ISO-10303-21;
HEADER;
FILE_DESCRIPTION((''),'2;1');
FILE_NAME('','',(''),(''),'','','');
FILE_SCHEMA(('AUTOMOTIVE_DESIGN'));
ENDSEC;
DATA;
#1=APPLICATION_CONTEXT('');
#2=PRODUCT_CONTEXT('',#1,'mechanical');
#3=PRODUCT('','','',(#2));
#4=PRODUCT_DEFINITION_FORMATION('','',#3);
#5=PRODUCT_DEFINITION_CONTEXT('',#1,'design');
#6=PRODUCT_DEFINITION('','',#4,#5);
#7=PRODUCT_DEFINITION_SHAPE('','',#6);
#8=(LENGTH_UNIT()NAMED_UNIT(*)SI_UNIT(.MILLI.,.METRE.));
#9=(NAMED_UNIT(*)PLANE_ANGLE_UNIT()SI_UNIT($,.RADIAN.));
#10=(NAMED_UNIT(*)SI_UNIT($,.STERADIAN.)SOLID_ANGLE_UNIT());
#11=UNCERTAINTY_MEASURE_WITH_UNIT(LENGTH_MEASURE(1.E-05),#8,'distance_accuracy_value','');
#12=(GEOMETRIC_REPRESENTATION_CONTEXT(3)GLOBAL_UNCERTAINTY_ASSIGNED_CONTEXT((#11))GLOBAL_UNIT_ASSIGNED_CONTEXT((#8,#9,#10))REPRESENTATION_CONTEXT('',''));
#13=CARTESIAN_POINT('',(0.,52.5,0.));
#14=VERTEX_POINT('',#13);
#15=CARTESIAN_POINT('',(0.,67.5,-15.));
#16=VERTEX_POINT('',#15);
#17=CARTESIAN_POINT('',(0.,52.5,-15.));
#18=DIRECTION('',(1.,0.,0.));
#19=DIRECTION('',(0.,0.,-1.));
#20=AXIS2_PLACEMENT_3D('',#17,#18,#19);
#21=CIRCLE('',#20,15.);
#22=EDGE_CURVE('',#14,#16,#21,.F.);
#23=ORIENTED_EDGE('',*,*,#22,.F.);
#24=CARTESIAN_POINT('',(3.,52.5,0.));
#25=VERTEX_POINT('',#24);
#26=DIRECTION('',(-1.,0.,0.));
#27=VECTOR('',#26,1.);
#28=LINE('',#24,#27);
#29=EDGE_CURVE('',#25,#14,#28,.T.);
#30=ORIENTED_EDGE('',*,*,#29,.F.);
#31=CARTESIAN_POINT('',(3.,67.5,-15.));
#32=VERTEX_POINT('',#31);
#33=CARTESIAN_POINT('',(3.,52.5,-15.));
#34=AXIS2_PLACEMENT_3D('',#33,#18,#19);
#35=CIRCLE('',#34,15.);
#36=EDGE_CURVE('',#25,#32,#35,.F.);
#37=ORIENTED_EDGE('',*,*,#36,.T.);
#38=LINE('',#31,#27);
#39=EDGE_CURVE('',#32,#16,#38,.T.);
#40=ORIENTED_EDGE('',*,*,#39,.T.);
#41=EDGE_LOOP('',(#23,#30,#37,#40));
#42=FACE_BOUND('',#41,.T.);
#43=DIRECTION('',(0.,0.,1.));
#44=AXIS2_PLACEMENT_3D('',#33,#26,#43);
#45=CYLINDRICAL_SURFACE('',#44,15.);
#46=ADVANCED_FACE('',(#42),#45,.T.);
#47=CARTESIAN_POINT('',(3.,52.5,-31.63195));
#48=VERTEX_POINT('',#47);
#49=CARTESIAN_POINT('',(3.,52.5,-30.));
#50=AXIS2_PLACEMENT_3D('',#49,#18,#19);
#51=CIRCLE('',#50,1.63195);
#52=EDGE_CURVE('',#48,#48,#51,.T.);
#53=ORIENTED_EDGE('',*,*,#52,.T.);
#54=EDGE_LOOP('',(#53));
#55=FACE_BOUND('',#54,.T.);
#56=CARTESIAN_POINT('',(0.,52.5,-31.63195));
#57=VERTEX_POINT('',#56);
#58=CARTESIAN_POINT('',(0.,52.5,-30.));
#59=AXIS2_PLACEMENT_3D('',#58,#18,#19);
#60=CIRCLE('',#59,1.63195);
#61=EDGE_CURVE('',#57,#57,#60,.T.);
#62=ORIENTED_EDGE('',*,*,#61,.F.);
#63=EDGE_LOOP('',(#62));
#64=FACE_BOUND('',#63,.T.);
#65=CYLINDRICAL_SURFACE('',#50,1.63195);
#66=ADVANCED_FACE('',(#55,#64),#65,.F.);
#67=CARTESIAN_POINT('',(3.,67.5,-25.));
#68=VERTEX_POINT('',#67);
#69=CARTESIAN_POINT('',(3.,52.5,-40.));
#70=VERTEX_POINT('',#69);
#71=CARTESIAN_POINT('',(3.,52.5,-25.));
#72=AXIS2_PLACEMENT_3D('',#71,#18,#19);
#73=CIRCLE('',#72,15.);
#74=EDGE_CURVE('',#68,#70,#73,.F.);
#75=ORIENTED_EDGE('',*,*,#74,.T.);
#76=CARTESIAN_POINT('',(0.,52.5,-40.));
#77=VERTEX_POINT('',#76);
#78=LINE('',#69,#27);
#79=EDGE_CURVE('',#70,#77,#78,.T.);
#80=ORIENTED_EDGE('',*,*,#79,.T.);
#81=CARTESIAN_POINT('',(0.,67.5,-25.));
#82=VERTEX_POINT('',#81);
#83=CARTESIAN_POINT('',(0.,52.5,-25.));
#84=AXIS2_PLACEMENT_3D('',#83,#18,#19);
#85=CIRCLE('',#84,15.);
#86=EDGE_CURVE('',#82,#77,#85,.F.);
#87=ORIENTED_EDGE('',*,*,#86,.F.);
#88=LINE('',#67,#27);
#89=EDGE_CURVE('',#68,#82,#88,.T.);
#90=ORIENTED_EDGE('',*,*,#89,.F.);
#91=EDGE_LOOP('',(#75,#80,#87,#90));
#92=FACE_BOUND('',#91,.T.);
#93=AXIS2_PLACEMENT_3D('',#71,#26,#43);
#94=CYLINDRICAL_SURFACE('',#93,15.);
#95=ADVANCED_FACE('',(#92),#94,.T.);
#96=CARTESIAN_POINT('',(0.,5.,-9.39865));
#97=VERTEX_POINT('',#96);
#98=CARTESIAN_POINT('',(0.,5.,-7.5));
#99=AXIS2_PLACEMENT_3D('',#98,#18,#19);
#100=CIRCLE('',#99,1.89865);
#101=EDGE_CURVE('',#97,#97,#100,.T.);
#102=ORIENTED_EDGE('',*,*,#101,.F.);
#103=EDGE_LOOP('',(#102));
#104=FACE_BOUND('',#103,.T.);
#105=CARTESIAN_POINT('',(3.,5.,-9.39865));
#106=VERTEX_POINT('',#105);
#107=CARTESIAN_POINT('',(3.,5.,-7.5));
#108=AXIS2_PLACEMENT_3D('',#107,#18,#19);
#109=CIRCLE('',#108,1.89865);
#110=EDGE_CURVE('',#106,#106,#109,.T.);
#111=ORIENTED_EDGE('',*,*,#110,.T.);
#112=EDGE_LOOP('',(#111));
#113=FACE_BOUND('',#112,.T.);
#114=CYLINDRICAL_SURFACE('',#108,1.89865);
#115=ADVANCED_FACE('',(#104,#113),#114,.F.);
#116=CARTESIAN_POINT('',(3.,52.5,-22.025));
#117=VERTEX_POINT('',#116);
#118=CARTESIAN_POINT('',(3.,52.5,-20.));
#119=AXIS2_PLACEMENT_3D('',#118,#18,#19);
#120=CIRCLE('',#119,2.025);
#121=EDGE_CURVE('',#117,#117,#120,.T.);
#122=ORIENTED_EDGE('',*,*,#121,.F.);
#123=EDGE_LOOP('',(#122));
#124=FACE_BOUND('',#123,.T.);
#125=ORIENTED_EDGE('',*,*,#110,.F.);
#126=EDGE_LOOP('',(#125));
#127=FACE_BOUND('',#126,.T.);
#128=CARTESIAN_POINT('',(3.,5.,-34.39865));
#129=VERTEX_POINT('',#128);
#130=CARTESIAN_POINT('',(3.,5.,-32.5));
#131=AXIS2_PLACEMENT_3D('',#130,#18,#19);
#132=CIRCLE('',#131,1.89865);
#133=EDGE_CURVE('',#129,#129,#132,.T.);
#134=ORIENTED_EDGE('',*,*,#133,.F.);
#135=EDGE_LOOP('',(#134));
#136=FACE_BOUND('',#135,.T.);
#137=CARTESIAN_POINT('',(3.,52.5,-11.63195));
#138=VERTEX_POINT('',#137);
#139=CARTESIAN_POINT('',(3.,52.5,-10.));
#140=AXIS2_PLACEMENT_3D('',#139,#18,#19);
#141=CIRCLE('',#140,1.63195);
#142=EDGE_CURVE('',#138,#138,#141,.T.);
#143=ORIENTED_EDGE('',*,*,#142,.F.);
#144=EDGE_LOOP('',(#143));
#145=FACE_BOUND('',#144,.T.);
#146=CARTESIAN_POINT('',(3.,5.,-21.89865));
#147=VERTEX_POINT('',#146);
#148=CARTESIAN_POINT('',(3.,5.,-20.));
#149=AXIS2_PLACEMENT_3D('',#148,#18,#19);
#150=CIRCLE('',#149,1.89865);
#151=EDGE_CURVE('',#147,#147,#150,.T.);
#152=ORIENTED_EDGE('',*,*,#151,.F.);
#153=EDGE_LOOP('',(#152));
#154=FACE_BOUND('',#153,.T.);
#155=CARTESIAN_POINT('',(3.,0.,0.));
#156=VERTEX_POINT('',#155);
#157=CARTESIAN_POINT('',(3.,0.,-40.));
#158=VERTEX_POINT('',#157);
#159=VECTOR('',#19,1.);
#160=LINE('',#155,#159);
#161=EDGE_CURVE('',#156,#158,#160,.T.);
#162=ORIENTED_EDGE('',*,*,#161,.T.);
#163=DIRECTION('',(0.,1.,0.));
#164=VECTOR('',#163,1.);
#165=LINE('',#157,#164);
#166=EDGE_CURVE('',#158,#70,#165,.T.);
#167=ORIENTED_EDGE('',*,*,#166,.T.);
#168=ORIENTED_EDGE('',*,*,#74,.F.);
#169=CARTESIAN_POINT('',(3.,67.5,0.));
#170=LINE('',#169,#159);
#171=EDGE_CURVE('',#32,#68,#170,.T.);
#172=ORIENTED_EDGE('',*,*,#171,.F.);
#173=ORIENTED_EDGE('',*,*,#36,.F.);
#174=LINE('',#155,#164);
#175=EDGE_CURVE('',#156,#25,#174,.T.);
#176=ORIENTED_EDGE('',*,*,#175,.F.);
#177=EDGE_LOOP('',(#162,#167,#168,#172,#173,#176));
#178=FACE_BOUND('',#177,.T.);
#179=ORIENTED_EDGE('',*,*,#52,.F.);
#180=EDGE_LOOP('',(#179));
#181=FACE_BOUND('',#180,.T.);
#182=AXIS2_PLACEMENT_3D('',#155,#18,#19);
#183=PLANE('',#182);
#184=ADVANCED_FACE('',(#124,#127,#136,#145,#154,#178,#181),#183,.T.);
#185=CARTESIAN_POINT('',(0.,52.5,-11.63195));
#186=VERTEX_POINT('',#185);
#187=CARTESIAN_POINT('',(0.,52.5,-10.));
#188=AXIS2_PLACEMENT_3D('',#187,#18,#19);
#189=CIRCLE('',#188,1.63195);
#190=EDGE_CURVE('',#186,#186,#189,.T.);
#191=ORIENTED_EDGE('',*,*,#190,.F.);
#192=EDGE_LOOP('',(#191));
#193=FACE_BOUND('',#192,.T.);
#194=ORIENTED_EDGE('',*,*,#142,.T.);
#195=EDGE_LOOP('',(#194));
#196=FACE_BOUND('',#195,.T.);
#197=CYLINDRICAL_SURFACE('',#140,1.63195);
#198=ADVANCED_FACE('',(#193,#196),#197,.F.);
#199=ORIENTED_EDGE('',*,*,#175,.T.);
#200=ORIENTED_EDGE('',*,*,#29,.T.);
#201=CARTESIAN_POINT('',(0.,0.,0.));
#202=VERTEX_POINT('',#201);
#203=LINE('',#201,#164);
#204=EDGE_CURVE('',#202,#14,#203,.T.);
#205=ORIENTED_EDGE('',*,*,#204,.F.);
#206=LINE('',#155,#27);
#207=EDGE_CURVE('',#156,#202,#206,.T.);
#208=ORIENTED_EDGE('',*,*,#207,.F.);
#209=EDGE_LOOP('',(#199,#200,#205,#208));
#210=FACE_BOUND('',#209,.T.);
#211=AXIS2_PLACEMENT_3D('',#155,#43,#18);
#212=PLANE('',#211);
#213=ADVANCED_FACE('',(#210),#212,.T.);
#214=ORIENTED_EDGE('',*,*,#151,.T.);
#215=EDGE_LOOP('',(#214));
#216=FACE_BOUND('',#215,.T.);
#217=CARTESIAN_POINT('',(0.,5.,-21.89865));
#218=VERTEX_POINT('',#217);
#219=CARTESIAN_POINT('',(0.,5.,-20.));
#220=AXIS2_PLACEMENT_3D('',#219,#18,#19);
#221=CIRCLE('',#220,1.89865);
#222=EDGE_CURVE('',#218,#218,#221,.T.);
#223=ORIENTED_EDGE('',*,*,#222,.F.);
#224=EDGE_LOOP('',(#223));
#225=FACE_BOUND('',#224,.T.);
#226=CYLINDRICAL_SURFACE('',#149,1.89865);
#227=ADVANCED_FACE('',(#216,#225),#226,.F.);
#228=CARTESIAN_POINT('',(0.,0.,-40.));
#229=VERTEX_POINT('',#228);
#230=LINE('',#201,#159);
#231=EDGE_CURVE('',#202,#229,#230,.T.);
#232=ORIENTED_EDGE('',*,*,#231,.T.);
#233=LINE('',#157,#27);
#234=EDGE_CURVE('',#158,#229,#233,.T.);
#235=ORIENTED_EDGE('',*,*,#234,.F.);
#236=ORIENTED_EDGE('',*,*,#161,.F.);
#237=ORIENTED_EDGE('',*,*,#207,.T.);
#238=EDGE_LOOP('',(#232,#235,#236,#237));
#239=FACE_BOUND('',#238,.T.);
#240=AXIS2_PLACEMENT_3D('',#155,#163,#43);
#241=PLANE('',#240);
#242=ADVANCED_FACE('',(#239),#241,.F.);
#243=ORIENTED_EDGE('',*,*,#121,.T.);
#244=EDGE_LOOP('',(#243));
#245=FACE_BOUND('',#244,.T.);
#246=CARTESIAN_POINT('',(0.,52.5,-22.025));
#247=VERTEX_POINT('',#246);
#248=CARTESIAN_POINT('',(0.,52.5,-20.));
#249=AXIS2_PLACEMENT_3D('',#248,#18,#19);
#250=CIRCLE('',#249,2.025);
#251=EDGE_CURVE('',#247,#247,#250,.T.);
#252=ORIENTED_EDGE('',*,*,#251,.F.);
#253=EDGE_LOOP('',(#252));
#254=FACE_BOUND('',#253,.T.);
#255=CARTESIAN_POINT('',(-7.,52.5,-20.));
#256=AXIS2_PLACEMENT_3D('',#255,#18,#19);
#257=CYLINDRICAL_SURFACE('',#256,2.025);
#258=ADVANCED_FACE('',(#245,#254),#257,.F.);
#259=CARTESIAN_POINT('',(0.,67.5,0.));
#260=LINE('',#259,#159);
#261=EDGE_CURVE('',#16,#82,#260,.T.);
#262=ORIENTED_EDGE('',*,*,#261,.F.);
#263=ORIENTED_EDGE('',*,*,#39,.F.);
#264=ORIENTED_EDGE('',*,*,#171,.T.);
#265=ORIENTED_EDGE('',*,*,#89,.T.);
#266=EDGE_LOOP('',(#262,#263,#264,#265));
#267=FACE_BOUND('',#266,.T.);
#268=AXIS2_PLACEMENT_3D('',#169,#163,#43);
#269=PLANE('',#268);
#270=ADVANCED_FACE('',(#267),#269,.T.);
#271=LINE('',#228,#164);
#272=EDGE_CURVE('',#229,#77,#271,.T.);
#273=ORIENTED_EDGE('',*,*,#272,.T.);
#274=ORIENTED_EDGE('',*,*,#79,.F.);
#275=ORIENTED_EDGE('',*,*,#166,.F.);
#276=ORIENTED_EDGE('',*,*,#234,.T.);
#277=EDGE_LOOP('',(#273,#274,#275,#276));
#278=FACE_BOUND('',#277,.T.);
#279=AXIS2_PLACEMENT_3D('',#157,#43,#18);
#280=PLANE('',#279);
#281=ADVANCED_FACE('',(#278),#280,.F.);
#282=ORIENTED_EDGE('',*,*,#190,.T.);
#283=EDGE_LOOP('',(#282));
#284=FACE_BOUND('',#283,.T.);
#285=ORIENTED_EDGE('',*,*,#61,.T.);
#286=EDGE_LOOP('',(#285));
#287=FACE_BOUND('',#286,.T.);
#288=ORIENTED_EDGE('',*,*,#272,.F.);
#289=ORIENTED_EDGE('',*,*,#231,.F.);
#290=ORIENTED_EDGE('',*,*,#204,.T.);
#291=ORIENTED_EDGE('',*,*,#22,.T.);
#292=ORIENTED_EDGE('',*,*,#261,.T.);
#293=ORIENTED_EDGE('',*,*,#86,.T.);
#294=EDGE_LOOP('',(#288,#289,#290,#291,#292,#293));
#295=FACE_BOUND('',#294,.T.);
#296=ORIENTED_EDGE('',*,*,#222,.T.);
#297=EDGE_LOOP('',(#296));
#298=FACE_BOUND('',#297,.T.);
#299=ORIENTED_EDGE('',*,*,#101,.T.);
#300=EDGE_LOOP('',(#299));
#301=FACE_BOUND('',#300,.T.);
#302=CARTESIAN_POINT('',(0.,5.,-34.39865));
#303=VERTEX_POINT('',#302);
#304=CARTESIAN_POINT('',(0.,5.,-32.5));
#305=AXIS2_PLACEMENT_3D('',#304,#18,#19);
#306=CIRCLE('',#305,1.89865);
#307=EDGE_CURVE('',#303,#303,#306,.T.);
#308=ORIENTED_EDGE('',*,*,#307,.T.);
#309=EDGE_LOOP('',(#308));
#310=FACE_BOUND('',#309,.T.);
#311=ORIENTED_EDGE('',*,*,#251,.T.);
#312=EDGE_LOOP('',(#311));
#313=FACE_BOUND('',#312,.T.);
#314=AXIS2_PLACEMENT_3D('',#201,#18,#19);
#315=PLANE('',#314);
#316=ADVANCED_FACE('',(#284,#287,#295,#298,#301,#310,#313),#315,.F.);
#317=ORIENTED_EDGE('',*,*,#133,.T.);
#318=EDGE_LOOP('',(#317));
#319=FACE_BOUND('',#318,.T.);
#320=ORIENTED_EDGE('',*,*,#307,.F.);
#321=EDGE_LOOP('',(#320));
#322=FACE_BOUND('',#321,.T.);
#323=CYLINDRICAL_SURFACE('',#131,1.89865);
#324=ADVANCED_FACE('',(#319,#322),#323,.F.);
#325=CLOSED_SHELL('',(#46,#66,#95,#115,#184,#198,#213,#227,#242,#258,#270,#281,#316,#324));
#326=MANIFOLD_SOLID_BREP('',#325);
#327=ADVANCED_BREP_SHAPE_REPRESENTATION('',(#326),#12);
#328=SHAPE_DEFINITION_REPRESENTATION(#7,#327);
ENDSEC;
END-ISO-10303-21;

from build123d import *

# Parameters (mm, degrees)
BOSS_EXTRUDE1_DEPTH   = 3
F_6_CLEARANCE_HOLE2_D = 3.7973
SKETCH10_R            = 2.025
CUT_EXTRUDE1_DEPTH    = 10
F_4_CLEARANCE_HOLE3_D = 3.2639


with BuildPart() as part:
    # Sketch1 → Boss-Extrude1 (new body)
    with BuildSketch(Plane(origin=(0, 0, 0), x_dir=(0, 0, -1), z_dir=(1, 0, 0))):
        with BuildLine():
            Line((0, 0), (40, 0))
            Line((40, 0), (40, 52.5))
            ThreePointArc((40, 52.5), (35.606601718, 63.106601718), (25, 67.5))
            Line((25, 67.5), (15, 67.5))
            ThreePointArc((15, 67.5), (4.393398282, 63.106601718), (0, 52.5))
            Line((0, 52.5), (0, 0))
        make_face()
    extrude(amount=BOSS_EXTRUDE1_DEPTH)

    # #6 Clearance Hole2 (through all)
    with Locations(Plane(origin=(3, 0, 0), x_dir=(0, 0, -1), z_dir=(1, 0, 0))):
        with Locations((7.5, 5), (20, 5), (32.5, 5)):
            Hole(F_6_CLEARANCE_HOLE2_D / 2)

    # Sketch10 → Cut-Extrude1 (cut)
    with BuildSketch(Plane(origin=(3, 0, 0), x_dir=(0, 0, -1), z_dir=(1, 0, 0))):
        with Locations((20, 52.5)):
            Circle(SKETCH10_R)
    extrude(amount=-CUT_EXTRUDE1_DEPTH, mode=Mode.SUBTRACT)

    # #4 Clearance Hole3 (through all)
    with Locations(Plane(origin=(3, 0, 0), x_dir=(0, 0, -1), z_dir=(1, 0, 0))):
        with Locations((10, 52.5), (30, 52.5)):
            Hole(F_4_CLEARANCE_HOLE3_D / 2)


solid = part.part
